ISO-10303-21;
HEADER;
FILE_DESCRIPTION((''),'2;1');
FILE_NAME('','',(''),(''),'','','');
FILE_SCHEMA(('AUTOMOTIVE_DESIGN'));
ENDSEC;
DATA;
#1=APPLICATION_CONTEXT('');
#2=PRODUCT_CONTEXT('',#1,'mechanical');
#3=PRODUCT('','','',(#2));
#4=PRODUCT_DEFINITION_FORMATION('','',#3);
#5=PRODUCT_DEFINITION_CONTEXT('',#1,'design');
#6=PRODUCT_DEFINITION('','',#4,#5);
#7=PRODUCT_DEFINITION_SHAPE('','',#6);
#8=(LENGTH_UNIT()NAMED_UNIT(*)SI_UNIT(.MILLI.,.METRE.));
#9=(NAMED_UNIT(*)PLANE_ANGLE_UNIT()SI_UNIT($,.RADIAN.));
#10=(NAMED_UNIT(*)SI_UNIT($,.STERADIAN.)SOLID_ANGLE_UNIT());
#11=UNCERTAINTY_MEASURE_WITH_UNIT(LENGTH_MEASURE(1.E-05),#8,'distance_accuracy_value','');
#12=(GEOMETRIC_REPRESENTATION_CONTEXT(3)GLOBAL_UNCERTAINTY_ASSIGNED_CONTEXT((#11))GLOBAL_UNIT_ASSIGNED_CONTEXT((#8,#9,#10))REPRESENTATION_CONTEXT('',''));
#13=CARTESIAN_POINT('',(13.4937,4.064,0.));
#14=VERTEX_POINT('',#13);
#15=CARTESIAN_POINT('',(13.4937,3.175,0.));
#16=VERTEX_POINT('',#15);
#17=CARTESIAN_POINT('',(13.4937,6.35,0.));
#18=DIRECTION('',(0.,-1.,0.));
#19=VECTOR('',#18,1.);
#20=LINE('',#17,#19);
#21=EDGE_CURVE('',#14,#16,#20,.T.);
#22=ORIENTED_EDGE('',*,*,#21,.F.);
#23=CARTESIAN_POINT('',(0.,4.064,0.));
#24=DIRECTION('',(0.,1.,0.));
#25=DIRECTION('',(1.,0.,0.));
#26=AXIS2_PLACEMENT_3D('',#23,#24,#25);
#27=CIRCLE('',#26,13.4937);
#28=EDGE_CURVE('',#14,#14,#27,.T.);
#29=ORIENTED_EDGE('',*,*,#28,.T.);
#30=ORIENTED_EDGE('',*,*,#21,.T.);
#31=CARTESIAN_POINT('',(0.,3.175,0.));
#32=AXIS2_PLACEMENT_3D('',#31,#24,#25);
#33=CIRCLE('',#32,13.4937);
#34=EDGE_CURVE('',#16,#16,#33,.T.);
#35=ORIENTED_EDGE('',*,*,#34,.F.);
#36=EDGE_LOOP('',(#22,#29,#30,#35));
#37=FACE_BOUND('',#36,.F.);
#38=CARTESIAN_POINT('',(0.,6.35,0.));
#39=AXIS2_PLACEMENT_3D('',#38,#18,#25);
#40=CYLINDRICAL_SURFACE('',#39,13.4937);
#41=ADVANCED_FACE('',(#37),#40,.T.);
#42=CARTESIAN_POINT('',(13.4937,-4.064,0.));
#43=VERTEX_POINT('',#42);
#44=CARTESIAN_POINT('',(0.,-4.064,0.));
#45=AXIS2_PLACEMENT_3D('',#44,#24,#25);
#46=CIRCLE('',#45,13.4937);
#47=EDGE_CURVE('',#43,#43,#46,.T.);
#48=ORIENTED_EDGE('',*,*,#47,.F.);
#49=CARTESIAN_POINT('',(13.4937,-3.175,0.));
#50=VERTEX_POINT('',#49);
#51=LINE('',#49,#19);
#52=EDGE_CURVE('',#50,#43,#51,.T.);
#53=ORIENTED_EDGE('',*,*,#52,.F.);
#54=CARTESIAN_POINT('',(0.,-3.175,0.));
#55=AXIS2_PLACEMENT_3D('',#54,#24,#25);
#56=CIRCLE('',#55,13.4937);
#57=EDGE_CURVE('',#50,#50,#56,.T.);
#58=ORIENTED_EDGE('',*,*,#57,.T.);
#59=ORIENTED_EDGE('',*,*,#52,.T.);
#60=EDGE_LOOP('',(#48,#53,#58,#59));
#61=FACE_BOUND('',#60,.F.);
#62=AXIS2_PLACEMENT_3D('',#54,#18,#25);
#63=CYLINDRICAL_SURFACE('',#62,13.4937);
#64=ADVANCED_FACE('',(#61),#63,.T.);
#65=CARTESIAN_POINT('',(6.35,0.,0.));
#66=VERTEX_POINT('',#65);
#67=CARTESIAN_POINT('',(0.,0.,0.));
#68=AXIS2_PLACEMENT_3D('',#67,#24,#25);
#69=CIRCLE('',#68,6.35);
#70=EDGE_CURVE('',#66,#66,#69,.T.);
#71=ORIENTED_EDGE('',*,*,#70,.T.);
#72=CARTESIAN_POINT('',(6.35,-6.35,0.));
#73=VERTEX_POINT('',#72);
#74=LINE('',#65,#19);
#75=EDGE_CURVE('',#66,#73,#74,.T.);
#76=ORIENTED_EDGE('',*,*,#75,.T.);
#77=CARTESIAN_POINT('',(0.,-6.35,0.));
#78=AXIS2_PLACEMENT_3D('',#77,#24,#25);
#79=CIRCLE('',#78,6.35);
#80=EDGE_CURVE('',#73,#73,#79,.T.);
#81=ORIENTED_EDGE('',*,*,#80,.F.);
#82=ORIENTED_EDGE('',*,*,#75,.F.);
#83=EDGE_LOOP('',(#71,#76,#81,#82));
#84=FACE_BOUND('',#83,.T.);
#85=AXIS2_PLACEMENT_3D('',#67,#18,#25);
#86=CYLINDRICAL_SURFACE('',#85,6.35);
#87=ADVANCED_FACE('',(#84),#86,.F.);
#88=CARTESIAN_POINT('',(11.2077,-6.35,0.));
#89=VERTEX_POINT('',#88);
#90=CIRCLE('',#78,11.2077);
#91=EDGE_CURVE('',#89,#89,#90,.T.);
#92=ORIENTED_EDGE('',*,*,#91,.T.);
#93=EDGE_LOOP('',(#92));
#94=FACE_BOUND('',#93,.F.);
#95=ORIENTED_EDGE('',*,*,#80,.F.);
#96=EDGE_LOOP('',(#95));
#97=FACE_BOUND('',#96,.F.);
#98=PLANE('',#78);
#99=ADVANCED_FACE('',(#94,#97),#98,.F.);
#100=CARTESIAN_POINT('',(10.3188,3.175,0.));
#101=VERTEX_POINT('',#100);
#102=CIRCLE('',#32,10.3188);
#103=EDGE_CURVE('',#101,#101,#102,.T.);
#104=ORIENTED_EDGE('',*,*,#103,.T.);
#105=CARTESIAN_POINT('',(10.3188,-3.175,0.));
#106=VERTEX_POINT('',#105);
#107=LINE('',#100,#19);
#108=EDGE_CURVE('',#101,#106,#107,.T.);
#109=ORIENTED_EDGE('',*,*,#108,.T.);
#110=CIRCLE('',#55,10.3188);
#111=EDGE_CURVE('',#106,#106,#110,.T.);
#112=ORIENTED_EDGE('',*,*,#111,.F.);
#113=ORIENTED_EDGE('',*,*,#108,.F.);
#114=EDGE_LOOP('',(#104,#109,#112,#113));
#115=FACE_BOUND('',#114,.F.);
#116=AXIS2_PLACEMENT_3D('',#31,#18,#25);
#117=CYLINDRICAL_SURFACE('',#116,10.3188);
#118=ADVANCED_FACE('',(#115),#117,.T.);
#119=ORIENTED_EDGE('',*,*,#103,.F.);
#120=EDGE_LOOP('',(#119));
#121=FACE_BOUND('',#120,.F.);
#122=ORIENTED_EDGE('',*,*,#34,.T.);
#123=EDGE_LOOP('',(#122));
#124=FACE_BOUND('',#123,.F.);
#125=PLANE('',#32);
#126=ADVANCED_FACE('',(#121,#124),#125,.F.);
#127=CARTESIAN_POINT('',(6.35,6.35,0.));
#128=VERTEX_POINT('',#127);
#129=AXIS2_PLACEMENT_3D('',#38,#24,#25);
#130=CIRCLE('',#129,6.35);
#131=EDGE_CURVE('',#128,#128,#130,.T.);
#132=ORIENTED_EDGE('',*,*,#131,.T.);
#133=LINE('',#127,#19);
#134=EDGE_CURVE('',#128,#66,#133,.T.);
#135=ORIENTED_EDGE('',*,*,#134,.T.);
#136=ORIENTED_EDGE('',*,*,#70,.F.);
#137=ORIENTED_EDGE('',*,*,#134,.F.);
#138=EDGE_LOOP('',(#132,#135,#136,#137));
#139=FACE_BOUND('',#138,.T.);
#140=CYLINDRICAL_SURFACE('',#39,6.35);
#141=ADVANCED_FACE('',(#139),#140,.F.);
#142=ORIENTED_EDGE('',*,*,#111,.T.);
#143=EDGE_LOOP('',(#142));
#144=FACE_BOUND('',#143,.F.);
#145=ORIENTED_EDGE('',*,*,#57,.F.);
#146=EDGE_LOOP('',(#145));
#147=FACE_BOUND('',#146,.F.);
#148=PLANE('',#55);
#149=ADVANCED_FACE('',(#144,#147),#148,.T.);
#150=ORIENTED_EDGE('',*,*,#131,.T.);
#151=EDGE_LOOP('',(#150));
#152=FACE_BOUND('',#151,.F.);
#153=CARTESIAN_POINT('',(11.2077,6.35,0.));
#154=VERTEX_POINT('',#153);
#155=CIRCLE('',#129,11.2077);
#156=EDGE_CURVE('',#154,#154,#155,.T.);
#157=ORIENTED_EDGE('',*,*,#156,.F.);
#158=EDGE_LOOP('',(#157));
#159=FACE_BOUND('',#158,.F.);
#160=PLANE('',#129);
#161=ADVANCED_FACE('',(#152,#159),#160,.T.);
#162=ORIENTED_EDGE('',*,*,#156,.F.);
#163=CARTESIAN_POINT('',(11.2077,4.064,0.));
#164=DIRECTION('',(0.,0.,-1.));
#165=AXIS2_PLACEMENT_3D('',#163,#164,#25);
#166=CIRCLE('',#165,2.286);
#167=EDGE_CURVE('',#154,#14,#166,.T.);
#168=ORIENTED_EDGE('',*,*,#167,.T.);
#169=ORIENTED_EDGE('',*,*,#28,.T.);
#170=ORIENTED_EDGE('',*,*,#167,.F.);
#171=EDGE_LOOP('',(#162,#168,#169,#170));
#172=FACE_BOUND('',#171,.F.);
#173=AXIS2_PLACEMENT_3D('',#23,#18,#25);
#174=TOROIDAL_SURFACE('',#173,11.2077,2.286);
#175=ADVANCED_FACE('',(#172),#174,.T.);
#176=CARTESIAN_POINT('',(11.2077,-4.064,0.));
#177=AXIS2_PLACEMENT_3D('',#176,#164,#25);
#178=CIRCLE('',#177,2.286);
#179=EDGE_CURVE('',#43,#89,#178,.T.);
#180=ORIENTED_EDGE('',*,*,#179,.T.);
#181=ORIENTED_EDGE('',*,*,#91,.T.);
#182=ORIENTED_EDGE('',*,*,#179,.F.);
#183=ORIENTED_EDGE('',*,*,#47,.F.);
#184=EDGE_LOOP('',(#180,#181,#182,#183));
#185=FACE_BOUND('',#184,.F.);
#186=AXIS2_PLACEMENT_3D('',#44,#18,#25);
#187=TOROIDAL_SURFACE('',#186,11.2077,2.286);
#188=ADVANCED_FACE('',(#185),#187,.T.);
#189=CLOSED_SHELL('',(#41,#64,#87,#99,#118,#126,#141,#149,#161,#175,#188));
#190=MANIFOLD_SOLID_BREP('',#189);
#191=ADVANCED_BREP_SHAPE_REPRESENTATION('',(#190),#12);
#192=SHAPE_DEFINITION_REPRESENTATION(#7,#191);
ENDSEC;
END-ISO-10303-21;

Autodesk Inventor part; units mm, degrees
ref_plane "YZ Plane" through (0, 0, 0) normal (1, 0, 0) x (0, 1, 0)
ref_plane "XZ Plane" through (0, 0, 0) normal (0, 1, 0) x (-1, 0, 0)
ref_plane "XY Plane" through (0, 0, 0) normal (0, 0, 1) x (1, 0, 0)
sketch "Sketch1" plane through (0, 0, 0) normal (0, 0, 1) x (1, 0, 0)
  line L0 (0, 0) -> (0, 6.5039) construction
  line L1 (6.35, 6.35) -> (6.35, 0)
  line L2 (6.35, 0) -> (6.35, -6.35)
  line L3 (6.35, 6.35) -> (13.4937, 6.35)
  line L4 (13.4937, 6.35) -> (13.4937, 3.175)
  line L5 (13.4937, 3.175) -> (10.3188, 3.175)
  line L6 (10.3188, 3.175) -> (10.3188, -3.175)
  line L7 (10.3188, -3.175) -> (13.4937, -3.175)
  line L8 (13.4937, -3.175) -> (13.4937, -6.35)
  line L9 (13.4937, -6.35) -> (6.35, -6.35)
  dimension "d0" = 12.7
  dimension "d1" = 12.7
  dimension "d2" = 6.35
  dimension "d3" = 26.9875
  dimension "d4" = 20.6375
revolve "Revolution1" add sketch "Sketch1" angle 360 about axis through (0, 0, 0) along (0, 1, 0)
fillet "Fillet1" radius 2.286 2 edges at (-13.4937, 6.35, 0) (-13.4937, -6.35, 0)
properties part number ".5ID 1.0625OD Grommet (McMaster Carr #9307K63)" material "Rubber"
